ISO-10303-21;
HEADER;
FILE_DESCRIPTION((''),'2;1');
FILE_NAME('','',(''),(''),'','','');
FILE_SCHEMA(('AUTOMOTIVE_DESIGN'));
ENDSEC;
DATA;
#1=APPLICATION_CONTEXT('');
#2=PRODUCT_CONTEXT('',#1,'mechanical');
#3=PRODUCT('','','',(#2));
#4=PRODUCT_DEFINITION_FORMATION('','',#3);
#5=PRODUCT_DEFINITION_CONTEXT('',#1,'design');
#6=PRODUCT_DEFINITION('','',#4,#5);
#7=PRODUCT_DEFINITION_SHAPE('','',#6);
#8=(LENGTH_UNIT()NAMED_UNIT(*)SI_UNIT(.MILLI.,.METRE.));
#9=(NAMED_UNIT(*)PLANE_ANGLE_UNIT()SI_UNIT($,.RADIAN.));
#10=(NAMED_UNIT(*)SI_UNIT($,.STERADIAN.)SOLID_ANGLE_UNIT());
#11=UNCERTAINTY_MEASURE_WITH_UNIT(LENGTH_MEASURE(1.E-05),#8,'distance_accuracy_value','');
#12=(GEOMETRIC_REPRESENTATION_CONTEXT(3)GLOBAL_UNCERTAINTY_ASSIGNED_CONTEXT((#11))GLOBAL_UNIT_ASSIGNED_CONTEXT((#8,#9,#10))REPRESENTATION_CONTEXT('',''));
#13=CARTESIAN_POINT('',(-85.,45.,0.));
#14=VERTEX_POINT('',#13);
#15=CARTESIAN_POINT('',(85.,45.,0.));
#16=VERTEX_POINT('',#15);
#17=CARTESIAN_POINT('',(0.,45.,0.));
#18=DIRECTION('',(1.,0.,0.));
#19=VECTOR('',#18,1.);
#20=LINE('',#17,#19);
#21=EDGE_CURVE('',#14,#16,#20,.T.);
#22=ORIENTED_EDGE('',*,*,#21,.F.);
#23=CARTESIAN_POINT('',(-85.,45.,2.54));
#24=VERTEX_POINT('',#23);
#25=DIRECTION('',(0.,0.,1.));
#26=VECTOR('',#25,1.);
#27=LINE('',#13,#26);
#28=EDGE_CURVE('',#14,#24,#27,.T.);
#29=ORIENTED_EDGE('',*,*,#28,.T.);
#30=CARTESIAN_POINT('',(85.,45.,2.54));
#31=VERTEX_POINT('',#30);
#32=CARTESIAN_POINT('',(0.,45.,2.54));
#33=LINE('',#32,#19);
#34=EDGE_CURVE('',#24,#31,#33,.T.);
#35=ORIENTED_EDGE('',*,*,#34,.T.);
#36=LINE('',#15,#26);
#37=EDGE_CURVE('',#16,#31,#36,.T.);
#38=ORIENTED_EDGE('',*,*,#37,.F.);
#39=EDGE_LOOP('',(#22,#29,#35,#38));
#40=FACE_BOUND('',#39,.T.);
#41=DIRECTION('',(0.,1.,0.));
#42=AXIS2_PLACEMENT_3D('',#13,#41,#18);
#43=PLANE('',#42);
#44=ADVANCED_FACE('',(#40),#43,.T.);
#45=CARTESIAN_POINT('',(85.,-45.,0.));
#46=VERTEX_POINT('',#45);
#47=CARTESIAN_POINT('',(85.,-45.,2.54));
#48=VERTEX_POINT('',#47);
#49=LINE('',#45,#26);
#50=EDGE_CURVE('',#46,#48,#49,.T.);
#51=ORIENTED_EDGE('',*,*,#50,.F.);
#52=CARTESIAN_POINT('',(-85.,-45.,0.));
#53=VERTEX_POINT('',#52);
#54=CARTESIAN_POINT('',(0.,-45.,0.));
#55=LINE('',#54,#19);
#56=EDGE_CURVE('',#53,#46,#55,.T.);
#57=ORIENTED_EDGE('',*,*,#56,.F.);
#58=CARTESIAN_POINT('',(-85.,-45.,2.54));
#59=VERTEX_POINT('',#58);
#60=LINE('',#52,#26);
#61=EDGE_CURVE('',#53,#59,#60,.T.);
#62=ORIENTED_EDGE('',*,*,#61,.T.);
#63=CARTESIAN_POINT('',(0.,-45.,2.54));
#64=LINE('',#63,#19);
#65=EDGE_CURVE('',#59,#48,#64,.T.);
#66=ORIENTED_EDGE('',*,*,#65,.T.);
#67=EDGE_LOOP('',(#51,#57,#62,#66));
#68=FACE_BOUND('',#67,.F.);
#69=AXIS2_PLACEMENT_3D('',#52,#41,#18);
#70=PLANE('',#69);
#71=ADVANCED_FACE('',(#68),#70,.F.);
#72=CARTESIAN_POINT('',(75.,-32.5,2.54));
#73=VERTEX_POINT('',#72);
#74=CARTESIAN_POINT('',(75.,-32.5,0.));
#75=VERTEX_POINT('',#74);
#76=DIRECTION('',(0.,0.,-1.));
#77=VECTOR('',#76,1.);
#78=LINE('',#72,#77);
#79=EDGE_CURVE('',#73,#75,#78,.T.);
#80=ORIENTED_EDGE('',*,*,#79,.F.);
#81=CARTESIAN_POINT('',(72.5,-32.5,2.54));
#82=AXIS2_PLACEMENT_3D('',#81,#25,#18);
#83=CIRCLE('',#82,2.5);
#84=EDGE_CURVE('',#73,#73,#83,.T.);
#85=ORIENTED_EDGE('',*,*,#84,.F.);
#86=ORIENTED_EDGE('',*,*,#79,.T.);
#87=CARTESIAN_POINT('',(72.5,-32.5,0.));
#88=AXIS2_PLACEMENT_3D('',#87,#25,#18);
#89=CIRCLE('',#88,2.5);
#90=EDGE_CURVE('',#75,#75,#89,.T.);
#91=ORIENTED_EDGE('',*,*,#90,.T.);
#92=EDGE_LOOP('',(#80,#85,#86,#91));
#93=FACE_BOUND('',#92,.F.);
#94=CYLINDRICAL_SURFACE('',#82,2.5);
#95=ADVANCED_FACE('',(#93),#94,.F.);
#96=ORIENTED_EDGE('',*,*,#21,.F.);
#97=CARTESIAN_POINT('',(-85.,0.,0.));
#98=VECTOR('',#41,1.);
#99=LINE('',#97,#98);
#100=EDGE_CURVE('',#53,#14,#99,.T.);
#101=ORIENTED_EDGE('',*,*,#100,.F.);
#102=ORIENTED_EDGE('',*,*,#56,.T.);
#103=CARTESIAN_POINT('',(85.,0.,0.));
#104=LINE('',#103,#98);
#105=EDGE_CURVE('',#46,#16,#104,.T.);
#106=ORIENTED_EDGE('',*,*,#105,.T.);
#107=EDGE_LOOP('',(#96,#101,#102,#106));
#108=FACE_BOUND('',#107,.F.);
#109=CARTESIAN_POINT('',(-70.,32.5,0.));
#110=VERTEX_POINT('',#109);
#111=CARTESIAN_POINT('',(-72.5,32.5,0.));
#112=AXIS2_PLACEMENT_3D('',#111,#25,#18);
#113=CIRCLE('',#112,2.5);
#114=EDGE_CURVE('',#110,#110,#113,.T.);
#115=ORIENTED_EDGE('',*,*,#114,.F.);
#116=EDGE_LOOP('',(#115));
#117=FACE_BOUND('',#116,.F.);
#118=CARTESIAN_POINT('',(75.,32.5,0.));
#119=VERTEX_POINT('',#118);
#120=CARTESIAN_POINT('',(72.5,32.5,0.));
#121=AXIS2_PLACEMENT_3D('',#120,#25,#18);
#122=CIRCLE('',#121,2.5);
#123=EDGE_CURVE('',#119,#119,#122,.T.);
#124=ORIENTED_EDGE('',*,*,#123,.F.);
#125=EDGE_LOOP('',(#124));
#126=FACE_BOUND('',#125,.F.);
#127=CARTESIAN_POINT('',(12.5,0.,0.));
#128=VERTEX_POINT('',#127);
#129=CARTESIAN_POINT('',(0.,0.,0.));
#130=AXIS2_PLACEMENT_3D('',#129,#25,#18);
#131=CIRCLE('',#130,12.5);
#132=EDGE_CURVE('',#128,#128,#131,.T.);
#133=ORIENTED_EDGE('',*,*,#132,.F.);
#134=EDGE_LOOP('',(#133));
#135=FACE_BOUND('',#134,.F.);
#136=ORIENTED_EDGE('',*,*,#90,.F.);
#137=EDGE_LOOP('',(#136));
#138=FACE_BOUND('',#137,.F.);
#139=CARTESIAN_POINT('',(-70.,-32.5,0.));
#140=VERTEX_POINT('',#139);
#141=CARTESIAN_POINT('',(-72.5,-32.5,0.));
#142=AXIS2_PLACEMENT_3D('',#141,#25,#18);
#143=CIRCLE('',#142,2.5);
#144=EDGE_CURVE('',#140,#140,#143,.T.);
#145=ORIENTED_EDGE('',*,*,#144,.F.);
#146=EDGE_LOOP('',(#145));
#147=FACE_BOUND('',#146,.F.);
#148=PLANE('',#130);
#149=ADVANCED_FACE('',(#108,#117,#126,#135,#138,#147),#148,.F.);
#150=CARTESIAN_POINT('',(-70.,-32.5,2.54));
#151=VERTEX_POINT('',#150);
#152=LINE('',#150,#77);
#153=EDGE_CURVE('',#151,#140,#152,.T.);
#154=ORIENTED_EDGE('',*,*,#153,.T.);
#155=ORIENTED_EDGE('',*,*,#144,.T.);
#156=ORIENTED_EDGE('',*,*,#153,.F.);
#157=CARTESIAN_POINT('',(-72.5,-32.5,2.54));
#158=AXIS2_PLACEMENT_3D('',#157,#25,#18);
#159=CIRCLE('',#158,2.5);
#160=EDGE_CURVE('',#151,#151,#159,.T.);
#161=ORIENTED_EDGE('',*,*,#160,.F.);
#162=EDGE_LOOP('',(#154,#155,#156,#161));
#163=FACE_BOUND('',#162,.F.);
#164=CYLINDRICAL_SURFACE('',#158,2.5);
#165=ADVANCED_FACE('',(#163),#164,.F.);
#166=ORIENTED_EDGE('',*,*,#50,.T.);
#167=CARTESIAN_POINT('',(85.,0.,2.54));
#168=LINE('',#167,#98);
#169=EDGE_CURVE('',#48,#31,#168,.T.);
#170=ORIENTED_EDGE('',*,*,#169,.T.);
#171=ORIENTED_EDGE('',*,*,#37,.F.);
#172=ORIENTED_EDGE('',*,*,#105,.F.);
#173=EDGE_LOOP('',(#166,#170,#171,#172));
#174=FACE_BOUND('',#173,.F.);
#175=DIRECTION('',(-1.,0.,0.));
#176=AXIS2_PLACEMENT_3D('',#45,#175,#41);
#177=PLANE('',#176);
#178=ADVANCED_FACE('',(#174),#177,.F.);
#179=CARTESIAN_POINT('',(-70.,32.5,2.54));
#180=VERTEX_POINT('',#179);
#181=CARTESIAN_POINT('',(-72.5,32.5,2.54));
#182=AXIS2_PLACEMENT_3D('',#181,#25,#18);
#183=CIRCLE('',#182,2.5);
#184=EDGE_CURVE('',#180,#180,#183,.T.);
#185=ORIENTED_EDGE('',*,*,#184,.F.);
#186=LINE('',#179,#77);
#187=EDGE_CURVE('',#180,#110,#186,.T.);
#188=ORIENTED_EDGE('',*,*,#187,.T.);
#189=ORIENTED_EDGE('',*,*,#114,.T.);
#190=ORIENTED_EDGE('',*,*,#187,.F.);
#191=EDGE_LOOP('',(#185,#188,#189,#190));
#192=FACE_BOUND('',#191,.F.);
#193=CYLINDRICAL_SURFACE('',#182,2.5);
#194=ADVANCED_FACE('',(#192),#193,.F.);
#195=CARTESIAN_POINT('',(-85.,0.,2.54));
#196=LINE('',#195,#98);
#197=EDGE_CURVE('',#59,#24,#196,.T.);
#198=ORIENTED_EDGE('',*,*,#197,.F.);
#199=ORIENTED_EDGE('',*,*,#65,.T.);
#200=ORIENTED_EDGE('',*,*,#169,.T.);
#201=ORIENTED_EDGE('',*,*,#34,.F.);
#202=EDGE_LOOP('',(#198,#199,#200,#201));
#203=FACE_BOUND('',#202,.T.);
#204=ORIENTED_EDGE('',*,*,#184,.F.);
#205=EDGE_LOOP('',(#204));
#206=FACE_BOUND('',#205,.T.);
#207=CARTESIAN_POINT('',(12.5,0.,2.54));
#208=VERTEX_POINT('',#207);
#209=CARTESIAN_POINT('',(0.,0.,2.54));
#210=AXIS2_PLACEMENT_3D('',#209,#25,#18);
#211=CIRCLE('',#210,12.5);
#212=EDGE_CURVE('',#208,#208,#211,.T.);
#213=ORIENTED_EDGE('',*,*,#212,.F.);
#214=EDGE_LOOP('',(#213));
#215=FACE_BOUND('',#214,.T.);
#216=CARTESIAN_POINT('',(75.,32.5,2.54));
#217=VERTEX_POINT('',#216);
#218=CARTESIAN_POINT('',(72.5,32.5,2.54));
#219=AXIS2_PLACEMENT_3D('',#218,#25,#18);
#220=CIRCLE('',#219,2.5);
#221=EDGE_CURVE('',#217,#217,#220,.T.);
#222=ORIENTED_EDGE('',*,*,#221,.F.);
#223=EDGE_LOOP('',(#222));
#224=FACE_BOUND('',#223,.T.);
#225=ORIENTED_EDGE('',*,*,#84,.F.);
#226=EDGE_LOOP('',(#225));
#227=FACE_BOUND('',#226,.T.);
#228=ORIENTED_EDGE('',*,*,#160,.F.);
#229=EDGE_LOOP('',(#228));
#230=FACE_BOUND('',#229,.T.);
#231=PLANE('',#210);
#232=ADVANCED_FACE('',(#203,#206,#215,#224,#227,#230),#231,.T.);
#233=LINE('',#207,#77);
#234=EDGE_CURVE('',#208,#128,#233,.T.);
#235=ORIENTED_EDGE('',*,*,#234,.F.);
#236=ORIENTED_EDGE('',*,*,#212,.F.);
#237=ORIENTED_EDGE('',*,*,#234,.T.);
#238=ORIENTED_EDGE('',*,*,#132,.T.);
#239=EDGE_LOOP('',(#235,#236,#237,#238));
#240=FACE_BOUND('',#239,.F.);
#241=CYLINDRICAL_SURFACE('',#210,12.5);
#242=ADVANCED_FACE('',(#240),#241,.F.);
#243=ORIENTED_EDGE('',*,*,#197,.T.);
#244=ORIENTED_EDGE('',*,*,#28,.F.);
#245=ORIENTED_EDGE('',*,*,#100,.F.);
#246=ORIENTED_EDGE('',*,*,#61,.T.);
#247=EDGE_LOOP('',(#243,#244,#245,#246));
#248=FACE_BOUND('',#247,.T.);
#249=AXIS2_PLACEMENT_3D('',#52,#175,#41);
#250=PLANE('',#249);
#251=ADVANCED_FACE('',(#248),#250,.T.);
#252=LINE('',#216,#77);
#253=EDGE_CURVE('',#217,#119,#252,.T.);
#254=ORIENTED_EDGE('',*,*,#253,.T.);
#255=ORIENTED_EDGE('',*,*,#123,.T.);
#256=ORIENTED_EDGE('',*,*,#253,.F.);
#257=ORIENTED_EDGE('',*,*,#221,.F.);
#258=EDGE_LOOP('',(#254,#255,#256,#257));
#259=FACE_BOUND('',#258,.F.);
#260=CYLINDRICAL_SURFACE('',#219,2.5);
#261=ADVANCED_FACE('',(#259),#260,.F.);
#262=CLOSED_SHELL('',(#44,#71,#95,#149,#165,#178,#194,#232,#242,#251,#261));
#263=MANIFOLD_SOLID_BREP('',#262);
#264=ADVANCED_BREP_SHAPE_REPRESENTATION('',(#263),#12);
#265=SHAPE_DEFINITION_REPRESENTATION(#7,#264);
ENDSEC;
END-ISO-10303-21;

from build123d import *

# Parameters (mm, degrees)
F0_W     = 170
F0_H     = 90
F1_DEPTH = 2.54
F2_R     = 12.5
F3_DEPTH = 2.541
F4_R     = 2.5
F5_DEPTH = 2.541


with BuildPart() as f1:
    # F0 (on Top) → F1 (new body)
    with BuildSketch(Plane.XY):
        Rectangle(F0_W, F0_H)
    extrude(amount=F1_DEPTH)

    # F2 (on face) → F3 (cut, through all)
    with BuildSketch(Plane.XY.offset(2.54)):
        Circle(F2_R)
    extrude(amount=-F3_DEPTH, mode=Mode.SUBTRACT)

    # F4 (on face) → F5 (cut, through all)
    with BuildSketch(Plane.XY.offset(2.54)):
        with Locations((-72.5, 32.5)):
            Circle(F4_R)
        with Locations((72.5, 32.5)):
            Circle(F4_R)
        with Locations((72.5, -32.5)):
            Circle(F4_R)
        with Locations((-72.5, -32.5)):
            Circle(F4_R)
    extrude(amount=-F5_DEPTH, mode=Mode.SUBTRACT)


solid = f1.part
